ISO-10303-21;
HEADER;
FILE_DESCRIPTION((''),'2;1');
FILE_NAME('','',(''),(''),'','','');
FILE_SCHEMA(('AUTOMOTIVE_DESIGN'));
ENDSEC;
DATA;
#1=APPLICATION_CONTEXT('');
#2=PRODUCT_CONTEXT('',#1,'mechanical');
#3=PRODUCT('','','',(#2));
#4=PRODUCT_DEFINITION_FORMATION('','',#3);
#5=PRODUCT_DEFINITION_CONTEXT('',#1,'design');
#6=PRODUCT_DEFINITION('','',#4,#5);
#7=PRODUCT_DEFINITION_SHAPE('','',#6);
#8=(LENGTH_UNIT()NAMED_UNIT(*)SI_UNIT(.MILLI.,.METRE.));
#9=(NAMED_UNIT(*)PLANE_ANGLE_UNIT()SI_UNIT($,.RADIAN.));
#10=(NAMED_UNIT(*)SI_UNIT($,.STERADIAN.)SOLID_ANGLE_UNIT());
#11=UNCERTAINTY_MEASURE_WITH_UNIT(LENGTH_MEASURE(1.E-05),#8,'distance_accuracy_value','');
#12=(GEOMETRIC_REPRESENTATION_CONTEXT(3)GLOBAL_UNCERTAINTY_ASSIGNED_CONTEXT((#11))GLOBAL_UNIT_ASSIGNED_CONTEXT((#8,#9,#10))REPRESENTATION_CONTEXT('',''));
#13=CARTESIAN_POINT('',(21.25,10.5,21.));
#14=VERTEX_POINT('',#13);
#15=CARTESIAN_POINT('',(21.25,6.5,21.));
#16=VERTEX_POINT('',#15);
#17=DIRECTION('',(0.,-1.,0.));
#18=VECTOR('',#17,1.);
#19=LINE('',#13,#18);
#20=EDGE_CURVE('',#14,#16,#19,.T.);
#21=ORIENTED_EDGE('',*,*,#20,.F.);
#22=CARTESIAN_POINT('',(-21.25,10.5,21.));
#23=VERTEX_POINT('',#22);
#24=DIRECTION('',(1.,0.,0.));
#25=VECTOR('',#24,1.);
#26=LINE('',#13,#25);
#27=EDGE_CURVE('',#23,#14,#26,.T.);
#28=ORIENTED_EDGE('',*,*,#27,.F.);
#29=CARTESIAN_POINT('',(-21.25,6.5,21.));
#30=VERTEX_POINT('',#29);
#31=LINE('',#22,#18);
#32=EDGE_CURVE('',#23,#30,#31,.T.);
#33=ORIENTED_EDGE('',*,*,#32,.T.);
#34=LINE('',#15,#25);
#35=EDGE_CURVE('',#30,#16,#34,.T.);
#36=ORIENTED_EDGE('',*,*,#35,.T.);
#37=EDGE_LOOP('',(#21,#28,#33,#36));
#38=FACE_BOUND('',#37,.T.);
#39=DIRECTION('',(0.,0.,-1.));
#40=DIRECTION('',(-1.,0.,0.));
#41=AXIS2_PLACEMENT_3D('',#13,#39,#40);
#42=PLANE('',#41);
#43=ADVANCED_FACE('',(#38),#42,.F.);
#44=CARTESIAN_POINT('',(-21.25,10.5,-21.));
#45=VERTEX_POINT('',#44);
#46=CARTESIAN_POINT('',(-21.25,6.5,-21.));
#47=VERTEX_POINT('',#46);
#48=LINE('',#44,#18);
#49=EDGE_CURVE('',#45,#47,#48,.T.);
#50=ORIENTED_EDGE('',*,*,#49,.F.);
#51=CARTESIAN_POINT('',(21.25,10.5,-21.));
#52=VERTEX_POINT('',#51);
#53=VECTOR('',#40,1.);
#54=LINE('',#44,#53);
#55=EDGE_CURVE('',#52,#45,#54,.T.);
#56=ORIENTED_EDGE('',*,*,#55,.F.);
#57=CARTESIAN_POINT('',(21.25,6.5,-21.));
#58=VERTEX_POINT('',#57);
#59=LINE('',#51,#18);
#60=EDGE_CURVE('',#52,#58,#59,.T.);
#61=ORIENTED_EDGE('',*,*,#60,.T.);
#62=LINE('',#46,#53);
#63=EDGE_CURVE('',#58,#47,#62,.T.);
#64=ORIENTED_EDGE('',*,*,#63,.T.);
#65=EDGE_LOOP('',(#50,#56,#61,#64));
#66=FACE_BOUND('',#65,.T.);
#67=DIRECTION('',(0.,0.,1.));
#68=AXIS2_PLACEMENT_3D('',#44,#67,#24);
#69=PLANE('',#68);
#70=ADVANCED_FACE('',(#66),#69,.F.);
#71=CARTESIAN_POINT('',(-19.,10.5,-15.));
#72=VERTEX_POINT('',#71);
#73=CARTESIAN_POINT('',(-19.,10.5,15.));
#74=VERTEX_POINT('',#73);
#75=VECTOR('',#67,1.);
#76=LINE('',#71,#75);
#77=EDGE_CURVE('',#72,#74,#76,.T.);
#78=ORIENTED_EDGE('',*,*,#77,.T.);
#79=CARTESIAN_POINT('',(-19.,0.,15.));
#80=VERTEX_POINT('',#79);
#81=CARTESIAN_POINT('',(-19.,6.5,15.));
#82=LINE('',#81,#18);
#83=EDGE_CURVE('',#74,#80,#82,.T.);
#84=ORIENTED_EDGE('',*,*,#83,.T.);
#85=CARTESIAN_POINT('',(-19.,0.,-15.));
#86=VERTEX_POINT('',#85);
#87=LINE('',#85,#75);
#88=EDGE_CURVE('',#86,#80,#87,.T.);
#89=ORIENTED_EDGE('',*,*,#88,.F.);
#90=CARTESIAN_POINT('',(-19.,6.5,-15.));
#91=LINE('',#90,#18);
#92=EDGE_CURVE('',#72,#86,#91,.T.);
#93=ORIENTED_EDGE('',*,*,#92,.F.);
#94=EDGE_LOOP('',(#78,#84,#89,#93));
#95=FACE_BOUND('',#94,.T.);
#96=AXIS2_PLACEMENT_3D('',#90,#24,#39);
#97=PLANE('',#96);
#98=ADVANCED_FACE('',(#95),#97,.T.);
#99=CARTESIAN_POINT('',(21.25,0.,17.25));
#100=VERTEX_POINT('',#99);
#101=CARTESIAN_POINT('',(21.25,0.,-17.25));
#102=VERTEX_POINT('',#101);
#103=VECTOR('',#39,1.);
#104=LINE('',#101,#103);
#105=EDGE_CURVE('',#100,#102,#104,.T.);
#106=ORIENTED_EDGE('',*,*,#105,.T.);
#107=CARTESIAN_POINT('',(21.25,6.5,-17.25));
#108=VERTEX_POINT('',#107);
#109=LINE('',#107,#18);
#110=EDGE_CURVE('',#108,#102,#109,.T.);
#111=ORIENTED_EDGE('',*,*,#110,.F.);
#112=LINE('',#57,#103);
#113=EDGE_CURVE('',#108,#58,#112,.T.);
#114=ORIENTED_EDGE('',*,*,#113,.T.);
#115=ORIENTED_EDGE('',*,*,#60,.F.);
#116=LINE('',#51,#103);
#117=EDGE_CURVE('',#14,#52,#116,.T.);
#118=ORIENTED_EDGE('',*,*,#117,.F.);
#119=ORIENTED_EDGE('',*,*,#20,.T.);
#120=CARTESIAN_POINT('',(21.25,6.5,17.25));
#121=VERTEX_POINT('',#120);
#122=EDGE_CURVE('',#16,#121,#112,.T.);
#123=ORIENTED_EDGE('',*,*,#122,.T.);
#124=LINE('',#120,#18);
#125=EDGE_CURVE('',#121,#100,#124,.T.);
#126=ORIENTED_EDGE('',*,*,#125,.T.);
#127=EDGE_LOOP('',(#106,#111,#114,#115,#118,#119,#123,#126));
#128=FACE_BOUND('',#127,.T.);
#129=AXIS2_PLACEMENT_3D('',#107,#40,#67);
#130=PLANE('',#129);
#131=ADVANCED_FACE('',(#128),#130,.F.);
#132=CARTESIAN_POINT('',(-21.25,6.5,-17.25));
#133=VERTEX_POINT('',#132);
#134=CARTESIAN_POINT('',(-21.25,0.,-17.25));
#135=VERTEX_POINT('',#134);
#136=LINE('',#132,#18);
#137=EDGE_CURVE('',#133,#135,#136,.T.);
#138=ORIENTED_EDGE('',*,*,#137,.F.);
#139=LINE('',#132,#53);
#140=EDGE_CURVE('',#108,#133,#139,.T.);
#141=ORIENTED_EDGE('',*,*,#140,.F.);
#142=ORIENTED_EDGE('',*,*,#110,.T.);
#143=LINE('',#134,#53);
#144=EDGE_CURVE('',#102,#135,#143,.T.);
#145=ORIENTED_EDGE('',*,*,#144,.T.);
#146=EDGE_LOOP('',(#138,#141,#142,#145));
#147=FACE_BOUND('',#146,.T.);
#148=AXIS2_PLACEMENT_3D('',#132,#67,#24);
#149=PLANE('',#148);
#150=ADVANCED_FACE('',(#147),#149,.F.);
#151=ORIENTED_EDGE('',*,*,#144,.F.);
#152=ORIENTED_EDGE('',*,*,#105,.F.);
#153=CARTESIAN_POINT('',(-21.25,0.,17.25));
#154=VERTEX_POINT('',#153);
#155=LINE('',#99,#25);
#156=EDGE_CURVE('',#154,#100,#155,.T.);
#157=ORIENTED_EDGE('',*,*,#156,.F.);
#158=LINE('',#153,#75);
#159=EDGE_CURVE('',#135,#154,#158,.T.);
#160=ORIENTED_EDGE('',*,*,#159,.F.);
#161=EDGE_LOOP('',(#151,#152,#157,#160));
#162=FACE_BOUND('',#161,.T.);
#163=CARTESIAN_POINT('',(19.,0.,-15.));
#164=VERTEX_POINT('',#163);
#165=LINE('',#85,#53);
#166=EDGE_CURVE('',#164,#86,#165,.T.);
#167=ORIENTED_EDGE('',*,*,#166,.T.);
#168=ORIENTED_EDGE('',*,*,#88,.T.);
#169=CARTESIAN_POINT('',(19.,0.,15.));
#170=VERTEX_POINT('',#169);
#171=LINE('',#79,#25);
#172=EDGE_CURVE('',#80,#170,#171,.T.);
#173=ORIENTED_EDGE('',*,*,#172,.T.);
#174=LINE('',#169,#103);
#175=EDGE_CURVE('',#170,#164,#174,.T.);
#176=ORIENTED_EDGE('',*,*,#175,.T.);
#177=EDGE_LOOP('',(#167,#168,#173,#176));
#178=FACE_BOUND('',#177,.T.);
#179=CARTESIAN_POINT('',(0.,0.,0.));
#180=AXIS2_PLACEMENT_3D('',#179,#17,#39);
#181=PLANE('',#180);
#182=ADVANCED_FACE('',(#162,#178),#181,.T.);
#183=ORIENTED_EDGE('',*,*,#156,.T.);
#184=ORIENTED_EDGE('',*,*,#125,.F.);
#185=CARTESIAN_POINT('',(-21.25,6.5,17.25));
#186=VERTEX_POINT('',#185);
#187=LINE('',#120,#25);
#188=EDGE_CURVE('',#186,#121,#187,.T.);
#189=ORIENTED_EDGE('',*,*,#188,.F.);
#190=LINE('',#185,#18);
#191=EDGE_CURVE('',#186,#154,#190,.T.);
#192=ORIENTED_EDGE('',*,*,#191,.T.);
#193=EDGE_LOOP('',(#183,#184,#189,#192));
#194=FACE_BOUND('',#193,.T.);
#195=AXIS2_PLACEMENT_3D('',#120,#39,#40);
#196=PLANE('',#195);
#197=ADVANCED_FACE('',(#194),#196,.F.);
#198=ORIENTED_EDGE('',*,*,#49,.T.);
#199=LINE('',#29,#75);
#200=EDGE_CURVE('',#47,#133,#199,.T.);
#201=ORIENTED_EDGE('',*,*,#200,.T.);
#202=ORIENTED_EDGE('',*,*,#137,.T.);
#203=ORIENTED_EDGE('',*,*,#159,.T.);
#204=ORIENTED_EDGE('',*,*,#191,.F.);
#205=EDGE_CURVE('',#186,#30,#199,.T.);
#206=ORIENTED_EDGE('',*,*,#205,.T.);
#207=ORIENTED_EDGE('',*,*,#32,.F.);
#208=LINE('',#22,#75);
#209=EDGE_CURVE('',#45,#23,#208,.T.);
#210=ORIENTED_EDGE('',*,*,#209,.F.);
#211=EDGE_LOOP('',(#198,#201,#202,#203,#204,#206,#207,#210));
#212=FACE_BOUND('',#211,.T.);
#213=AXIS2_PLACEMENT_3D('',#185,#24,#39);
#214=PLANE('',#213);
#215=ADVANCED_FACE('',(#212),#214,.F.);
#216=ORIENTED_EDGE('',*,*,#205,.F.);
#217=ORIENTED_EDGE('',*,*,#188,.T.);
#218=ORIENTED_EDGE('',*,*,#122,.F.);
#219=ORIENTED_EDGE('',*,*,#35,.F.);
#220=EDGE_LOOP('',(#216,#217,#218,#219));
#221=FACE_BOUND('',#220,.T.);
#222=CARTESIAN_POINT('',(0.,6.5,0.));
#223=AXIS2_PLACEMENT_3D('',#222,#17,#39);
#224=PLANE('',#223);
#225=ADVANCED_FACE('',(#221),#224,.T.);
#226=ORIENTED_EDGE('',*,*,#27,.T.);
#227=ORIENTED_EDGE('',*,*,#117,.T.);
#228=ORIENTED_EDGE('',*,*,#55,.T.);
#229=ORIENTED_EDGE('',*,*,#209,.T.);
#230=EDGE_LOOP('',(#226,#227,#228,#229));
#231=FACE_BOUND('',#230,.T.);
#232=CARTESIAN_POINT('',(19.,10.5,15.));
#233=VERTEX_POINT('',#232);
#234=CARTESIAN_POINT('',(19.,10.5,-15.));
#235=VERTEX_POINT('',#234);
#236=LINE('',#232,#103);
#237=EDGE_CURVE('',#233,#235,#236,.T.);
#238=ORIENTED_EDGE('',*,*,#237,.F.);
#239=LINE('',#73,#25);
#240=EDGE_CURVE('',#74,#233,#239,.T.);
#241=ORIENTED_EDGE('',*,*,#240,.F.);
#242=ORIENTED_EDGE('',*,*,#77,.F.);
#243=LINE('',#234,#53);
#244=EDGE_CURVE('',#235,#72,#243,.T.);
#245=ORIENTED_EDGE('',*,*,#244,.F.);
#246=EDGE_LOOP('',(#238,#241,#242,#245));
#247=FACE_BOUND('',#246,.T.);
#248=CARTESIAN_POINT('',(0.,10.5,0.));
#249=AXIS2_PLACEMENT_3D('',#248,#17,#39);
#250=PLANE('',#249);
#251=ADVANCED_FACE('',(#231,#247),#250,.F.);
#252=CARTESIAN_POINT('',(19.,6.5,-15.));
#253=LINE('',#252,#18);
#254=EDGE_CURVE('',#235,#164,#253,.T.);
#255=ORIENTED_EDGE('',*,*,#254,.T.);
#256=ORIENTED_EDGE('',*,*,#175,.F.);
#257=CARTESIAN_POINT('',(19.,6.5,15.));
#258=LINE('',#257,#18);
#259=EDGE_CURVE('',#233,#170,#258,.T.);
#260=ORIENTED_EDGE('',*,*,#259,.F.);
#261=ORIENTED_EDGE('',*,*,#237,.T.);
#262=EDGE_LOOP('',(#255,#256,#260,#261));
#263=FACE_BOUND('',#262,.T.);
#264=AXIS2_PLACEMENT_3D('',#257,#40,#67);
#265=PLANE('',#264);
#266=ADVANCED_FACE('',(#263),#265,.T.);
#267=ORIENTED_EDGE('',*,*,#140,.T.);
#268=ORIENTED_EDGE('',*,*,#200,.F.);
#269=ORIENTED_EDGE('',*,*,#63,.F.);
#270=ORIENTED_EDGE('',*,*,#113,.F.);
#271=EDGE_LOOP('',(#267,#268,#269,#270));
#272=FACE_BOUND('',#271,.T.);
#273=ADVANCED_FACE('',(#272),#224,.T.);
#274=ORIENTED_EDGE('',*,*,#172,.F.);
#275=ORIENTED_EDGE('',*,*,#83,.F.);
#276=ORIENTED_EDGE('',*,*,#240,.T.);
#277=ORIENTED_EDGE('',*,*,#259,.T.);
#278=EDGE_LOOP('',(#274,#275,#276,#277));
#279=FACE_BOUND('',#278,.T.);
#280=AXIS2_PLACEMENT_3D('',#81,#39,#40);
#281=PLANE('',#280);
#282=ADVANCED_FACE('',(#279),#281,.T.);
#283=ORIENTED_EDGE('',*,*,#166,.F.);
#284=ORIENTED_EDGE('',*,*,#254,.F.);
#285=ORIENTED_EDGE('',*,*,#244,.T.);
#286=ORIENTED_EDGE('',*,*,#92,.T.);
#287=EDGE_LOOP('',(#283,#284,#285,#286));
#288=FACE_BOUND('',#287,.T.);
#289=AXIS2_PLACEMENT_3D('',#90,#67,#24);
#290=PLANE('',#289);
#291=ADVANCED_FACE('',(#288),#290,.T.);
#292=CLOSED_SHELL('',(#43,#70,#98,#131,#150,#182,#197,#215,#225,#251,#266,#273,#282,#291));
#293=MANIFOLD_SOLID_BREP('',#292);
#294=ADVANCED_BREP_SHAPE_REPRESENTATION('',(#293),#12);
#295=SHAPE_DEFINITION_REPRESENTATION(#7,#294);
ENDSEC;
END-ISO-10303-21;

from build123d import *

# Parameters (mm, degrees)
SKETCH_1_W      = 42.5
SKETCH_1_H      = 34.5
SKETCH_1_W_2    = 38
SKETCH_1_H_2    = 30
EXTRUDE_1_DEPTH = 6.5
SKETCH_2_W      = 42.5
SKETCH_2_H      = 42
SKETCH_2_W_2    = 38
SKETCH_2_H_2    = 30
EXTRUDE_2_DEPTH = 4


with BuildPart() as part:
    # Эскиз1 → Бобышка-Вытянуть1 (new body)
    with BuildSketch(Plane(origin=(0, 0, 0), x_dir=(1, 0, 0), z_dir=(0, 1, 0))):
        Rectangle(SKETCH_1_W, SKETCH_1_H)
        Rectangle(SKETCH_1_W_2, SKETCH_1_H_2, mode=Mode.SUBTRACT)
    extrude(amount=EXTRUDE_1_DEPTH)

    # Эскиз2 → Бобышка-Вытянуть2 (add)
    with BuildSketch(Plane(origin=(0, 6.5, 0), x_dir=(1, 0, 0), z_dir=(0, 1, 0))):
        Rectangle(SKETCH_2_W, SKETCH_2_H)
        Rectangle(SKETCH_2_W_2, SKETCH_2_H_2, mode=Mode.SUBTRACT)
    extrude(amount=EXTRUDE_2_DEPTH)


solid = part.part
